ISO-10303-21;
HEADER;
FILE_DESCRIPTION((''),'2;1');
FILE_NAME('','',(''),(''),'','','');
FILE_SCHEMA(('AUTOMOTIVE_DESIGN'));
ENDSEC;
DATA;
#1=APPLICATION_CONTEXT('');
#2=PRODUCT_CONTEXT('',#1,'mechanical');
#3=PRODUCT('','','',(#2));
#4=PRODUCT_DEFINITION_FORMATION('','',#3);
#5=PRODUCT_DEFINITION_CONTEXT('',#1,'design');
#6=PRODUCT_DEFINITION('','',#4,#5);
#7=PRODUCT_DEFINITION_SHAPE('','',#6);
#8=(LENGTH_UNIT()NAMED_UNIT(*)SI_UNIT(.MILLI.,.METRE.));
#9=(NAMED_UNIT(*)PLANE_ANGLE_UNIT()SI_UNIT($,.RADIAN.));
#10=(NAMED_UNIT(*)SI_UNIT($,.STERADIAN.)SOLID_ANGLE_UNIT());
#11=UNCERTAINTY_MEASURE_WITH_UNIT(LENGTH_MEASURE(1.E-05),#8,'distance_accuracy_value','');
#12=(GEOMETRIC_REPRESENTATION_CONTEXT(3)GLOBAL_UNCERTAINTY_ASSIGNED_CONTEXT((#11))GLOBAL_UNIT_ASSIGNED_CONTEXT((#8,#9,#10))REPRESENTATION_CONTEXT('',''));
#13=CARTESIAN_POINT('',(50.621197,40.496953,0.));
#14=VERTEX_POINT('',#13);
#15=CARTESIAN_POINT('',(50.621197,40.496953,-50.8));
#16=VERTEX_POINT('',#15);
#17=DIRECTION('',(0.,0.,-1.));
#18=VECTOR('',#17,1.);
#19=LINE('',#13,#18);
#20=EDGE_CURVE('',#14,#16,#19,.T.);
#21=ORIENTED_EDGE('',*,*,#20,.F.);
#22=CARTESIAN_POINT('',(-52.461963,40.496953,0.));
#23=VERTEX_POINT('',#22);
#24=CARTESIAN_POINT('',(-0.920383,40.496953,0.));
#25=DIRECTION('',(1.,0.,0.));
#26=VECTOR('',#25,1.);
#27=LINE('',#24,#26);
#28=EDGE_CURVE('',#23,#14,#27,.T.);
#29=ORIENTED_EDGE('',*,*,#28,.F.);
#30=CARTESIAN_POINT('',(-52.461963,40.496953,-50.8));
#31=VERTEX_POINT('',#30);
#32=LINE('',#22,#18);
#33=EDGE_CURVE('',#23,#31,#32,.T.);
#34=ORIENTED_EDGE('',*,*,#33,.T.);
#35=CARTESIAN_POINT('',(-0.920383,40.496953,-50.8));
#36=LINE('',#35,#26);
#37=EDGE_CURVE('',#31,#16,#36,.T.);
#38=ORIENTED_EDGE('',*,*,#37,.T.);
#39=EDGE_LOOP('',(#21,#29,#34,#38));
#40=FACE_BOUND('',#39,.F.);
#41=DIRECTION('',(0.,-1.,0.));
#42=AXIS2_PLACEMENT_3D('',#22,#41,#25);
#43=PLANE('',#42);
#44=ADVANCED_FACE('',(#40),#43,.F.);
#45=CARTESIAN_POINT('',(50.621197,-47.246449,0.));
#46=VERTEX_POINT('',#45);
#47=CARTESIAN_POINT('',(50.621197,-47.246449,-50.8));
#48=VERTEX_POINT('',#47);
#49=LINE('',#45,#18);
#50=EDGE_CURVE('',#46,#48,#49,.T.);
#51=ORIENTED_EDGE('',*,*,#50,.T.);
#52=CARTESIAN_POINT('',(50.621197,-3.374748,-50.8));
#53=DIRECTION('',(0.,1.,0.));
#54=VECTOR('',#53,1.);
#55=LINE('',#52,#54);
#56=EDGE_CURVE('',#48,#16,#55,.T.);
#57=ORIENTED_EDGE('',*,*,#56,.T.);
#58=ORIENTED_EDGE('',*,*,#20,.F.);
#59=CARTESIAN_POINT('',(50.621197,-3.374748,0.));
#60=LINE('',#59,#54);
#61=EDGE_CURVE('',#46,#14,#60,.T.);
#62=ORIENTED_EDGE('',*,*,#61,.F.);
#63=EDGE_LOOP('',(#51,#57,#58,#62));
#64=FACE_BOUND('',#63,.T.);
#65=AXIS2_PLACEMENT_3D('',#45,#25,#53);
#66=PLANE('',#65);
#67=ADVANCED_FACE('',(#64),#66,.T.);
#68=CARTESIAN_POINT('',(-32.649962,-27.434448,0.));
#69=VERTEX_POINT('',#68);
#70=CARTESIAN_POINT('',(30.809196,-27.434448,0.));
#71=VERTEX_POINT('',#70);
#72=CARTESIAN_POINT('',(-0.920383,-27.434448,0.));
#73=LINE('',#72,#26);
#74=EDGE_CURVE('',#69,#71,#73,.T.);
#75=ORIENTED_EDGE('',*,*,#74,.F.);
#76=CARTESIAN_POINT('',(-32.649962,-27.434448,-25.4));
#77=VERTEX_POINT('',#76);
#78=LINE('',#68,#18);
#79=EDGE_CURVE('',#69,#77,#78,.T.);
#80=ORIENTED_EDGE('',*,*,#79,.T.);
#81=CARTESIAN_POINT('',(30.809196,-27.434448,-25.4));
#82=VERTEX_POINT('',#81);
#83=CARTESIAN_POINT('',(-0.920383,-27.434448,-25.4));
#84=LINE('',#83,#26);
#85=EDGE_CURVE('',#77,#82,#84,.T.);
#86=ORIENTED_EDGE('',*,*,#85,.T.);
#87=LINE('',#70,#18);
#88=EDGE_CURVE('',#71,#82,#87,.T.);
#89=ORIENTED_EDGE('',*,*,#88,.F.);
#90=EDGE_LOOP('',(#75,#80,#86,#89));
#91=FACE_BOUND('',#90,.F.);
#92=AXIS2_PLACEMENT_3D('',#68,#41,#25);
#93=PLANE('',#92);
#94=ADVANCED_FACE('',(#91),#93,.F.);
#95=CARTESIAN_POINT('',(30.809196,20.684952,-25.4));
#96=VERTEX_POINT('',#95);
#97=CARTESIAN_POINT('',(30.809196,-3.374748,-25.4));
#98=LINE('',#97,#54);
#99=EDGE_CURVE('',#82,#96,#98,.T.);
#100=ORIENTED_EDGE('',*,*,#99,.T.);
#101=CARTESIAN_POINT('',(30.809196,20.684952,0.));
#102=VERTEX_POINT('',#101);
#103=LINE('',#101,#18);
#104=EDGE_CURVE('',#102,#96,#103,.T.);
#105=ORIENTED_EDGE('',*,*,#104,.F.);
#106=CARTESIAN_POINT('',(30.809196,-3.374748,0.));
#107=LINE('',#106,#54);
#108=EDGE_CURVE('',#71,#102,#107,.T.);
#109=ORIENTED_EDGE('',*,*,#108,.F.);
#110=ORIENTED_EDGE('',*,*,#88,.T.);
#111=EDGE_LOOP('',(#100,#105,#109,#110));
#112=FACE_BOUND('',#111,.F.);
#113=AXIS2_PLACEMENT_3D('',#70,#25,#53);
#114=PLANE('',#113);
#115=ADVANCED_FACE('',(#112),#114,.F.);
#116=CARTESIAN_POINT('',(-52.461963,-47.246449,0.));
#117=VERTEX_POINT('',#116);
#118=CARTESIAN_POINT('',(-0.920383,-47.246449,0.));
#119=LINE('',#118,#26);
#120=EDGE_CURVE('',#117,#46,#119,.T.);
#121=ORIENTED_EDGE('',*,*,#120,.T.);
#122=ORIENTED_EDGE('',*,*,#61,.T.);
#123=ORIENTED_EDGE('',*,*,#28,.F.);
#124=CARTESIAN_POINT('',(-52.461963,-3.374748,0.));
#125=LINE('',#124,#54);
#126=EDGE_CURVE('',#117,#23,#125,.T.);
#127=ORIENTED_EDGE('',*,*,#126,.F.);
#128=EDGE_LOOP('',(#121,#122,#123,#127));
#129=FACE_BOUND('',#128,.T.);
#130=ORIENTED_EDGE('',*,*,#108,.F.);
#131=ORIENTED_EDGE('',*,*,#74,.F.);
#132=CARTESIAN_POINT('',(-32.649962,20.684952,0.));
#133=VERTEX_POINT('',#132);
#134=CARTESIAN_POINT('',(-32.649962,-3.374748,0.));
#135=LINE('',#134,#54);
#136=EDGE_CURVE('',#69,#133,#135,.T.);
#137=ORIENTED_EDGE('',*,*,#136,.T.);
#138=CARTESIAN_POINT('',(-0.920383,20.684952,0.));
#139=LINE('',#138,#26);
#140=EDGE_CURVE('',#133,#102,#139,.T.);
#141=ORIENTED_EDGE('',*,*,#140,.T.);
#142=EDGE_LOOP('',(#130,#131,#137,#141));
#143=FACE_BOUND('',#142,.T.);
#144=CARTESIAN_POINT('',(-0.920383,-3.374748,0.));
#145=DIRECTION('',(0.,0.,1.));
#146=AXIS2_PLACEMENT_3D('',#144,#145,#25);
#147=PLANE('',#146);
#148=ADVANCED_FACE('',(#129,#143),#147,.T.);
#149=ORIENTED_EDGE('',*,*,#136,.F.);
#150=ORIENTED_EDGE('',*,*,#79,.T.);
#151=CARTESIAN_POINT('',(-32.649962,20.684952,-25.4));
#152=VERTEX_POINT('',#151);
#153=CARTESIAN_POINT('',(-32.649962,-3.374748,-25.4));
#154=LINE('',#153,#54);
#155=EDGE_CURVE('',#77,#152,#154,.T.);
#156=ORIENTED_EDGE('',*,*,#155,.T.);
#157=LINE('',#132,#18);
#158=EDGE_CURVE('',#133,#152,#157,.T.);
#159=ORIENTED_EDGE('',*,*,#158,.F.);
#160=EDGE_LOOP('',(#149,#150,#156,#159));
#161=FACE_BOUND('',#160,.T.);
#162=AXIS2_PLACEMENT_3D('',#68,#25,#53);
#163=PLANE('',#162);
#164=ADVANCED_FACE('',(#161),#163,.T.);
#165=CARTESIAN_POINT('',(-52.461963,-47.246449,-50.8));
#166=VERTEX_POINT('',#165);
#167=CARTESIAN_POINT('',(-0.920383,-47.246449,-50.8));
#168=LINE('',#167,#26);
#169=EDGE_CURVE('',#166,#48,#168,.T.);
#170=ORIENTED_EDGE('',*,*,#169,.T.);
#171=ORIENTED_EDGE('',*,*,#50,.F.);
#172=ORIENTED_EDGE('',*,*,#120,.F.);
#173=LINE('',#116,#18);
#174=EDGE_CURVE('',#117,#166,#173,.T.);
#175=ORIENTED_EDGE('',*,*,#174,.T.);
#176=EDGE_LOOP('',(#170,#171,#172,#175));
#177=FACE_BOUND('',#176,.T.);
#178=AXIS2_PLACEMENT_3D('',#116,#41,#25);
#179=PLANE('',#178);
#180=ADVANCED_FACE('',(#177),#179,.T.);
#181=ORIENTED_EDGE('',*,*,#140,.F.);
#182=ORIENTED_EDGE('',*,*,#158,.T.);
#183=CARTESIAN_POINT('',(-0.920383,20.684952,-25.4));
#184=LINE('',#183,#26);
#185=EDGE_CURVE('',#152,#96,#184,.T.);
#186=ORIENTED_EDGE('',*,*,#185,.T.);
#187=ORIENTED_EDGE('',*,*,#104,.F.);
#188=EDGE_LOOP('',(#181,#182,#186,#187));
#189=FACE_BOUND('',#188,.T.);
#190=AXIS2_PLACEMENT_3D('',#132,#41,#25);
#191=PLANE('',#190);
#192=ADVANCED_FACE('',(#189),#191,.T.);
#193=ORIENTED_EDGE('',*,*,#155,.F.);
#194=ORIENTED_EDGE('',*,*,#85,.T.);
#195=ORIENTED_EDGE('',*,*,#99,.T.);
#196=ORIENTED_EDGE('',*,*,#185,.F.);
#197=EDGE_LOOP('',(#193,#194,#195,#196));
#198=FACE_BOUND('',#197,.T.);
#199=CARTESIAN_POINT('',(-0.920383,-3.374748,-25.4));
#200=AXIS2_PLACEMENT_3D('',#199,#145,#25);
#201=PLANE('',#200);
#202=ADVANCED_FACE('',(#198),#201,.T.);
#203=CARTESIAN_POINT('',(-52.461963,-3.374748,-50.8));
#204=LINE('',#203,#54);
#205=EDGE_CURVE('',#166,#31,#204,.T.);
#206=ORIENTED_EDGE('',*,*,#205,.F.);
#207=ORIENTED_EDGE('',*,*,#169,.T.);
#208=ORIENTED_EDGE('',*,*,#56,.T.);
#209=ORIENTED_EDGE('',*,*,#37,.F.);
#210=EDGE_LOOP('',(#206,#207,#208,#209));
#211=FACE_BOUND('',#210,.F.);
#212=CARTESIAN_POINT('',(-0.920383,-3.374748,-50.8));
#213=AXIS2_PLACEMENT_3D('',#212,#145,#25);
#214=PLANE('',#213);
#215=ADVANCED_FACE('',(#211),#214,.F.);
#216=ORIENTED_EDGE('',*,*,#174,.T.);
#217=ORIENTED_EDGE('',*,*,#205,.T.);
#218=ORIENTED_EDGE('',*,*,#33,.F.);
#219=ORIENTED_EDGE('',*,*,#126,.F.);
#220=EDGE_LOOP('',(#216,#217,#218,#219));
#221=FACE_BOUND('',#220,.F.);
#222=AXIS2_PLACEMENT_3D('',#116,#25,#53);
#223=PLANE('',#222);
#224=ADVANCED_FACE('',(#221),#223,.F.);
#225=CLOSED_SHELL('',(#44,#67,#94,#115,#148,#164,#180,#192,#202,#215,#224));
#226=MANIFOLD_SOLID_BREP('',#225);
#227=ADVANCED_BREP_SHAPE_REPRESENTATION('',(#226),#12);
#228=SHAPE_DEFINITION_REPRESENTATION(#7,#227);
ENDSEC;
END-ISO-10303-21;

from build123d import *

# Parameters (mm, degrees)
F0_W     = 103.08316
F0_H     = 87.743402
F1_DEPTH = 50.8
F2_W     = 63.459158
F2_H     = 48.1194
F3_DEPTH = 25.4


with BuildPart() as f1:
    # F0 (on Top) → F1 (new body)
    with BuildSketch(Plane.XY):
        with Locations((-0.920383, -3.374748)):
            Rectangle(F0_W, F0_H)
    extrude(amount=-F1_DEPTH)

    # F2 (on face) → F3 (cut)
    with BuildSketch(Plane.XY):
        with Locations((-0.920383, -3.374748)):
            Rectangle(F2_W, F2_H)
    extrude(amount=-F3_DEPTH, mode=Mode.SUBTRACT)


solid = f1.part
